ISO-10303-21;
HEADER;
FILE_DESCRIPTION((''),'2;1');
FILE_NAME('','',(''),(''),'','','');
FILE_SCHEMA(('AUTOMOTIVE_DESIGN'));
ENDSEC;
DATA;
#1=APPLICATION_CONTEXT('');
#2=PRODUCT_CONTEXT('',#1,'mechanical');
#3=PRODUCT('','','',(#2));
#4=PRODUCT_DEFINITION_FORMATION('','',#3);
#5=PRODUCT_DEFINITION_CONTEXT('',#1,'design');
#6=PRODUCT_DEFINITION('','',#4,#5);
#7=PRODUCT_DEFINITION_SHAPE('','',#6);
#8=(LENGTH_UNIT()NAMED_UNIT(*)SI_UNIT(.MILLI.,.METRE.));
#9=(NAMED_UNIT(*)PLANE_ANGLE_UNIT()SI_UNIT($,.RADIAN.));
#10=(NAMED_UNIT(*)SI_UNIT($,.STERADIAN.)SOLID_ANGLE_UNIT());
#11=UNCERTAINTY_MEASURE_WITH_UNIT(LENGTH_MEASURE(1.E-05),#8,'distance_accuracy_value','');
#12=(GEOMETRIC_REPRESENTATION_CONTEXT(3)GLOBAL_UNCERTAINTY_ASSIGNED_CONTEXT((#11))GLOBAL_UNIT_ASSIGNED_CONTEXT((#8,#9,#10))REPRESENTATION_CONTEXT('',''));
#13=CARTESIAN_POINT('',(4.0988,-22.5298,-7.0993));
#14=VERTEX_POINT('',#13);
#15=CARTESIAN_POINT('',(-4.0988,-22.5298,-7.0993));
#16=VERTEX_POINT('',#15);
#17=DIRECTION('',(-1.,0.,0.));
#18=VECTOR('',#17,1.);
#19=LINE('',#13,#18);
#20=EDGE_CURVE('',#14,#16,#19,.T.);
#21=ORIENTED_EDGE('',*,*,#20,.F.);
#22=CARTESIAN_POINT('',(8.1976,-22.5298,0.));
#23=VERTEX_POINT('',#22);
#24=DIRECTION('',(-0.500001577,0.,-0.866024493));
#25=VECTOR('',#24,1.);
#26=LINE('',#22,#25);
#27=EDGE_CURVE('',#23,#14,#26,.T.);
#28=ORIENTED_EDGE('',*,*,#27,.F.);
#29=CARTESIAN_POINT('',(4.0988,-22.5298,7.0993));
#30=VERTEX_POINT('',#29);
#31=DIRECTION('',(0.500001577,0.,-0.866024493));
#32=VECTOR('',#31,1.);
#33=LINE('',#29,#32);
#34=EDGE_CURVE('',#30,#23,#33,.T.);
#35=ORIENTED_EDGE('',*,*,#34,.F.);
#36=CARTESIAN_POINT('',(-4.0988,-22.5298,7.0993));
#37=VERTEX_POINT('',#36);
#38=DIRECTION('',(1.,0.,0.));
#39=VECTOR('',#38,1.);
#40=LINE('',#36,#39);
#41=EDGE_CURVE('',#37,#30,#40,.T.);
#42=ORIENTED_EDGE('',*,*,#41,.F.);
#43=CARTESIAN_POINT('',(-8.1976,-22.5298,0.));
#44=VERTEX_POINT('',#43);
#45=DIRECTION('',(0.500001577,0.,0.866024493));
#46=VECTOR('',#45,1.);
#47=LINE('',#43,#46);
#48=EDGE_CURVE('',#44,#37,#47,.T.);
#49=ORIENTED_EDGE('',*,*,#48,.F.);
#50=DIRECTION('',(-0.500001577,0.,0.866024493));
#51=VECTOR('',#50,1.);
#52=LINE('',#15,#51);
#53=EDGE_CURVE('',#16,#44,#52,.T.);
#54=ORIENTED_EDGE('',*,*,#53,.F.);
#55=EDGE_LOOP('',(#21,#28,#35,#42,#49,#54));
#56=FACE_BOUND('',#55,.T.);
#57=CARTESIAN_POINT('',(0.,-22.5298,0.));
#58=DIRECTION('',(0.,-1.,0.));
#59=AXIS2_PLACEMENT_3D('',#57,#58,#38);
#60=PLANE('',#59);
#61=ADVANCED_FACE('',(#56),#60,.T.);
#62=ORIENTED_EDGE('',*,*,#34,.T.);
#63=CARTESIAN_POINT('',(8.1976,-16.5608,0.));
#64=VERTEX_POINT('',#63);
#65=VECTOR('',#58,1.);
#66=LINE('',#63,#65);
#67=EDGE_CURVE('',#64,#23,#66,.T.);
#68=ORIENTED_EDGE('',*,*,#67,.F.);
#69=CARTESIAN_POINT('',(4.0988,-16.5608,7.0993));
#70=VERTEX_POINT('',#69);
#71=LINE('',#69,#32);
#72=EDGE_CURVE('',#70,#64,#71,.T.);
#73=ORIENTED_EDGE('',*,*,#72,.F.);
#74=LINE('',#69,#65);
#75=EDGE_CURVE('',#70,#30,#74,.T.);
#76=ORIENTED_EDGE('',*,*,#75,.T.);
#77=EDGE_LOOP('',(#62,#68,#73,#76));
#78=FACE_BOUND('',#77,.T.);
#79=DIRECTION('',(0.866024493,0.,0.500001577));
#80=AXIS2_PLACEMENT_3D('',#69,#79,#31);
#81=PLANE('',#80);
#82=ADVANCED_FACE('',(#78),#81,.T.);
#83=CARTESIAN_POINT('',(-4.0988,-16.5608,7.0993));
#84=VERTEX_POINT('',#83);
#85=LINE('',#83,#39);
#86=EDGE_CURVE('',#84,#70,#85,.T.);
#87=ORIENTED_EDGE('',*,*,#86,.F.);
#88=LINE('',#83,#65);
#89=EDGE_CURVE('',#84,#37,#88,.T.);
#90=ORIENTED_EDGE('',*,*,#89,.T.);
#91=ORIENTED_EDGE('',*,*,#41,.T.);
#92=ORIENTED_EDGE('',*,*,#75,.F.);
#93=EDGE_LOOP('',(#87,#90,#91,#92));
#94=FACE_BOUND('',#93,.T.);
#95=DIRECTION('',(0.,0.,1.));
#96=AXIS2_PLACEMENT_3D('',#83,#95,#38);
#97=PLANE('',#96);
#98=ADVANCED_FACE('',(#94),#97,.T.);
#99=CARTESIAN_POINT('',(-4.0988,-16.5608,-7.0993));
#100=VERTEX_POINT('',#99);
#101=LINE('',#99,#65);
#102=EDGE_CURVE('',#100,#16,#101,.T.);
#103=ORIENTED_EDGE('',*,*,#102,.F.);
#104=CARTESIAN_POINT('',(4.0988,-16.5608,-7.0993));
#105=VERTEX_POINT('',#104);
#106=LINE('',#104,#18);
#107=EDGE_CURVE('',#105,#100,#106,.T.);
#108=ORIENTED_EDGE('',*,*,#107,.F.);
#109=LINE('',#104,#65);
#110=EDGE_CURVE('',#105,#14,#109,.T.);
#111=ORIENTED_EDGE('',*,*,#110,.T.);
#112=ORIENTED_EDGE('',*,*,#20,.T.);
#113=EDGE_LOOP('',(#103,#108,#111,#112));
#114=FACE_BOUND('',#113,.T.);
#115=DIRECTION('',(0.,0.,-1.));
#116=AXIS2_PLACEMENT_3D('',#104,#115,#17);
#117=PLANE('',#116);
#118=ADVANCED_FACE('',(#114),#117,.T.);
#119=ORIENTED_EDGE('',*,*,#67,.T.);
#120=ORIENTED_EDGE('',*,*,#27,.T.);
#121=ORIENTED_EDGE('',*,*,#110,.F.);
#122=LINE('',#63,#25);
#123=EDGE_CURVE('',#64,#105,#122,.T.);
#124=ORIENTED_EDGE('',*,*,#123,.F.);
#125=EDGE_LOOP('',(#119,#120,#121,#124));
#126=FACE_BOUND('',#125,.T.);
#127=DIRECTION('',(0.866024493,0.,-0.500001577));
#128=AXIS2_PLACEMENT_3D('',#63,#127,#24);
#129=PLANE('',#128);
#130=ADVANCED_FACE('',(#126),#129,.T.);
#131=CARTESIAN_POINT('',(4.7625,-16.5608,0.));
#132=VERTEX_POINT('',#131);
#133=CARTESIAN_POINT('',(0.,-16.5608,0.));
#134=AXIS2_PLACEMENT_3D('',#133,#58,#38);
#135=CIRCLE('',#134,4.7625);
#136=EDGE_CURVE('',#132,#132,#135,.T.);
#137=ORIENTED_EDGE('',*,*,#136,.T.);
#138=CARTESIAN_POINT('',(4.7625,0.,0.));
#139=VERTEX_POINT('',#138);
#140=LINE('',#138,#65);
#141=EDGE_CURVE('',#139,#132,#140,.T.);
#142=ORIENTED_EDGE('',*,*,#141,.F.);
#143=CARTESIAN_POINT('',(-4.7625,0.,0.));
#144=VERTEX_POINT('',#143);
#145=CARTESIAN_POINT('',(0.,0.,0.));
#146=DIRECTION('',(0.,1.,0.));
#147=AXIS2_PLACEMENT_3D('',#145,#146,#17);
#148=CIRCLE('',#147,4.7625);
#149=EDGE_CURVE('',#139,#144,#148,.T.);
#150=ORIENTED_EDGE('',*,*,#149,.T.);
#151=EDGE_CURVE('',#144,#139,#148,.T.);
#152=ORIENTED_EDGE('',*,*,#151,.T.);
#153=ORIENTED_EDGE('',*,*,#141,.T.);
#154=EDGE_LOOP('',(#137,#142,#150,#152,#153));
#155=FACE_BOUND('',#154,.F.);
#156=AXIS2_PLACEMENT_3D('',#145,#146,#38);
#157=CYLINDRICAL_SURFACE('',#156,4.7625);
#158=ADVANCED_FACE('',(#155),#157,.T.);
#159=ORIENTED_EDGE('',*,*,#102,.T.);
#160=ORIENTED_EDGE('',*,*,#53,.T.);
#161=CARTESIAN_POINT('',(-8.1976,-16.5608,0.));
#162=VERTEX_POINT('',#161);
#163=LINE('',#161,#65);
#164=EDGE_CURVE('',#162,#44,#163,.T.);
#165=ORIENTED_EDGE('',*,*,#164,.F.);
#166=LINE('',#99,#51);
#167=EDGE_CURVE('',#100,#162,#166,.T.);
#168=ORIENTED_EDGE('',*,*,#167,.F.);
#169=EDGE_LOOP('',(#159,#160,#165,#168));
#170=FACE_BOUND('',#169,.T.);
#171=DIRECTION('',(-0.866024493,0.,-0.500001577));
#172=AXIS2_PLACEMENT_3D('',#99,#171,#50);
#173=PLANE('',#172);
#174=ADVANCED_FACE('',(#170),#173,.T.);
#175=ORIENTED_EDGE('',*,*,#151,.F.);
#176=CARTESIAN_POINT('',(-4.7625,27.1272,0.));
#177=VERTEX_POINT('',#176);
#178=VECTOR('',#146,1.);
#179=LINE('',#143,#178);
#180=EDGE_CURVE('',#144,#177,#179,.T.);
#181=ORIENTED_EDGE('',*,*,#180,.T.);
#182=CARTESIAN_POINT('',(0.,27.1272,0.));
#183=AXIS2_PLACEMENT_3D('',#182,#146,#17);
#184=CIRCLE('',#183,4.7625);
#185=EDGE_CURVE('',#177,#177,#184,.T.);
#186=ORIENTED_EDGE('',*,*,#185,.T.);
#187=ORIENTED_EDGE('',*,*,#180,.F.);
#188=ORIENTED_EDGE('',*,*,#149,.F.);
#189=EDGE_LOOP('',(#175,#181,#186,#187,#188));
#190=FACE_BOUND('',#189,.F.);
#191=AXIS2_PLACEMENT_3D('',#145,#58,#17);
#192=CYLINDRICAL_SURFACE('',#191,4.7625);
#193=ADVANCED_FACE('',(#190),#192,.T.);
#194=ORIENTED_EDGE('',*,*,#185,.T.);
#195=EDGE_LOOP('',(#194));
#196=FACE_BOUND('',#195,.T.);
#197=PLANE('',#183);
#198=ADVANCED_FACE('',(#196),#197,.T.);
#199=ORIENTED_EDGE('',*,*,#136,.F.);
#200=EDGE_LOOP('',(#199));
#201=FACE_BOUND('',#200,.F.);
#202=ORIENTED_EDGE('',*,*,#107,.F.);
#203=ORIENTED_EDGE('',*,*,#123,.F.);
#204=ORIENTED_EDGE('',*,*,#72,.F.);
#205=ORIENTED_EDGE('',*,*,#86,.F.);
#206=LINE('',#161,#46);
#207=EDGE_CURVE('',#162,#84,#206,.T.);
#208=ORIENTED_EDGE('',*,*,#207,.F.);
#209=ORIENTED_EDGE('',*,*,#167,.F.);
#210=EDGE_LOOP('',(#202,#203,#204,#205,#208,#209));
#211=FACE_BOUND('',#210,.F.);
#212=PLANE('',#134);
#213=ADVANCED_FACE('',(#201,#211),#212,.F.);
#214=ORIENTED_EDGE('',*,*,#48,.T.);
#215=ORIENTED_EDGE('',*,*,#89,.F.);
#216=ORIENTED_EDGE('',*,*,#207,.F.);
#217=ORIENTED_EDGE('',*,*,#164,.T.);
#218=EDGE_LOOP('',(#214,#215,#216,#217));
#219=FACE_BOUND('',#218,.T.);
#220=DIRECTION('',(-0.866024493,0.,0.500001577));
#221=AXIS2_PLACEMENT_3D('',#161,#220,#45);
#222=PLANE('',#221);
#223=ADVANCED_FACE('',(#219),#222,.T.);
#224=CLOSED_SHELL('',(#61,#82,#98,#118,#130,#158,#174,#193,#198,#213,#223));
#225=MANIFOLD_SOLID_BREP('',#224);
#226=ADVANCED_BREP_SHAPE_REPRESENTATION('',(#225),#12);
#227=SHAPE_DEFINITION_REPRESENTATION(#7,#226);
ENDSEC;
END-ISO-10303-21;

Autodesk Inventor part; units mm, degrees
ref_plane "YZ Plane" through (0, 0, 0) normal (1, 0, 0) x (0, 1, 0)
ref_plane "XZ Plane" through (0, 0, 0) normal (0, 1, 0) x (-1, 0, 0)
ref_plane "XY Plane" through (0, 0, 0) normal (0, 0, 1) x (1, 0, 0)
sketch "Sketch1" plane through (0, 0, 0) normal (0, 1, 0) x (-1, 0, 0)
  circle A0 centre (0, 0) radius 4.7625
  dimension "d0" = 9.525
extrude "Extrusion1" add sketch "Sketch1" along normal blind 27.1272
thread "Thread1" size "3/8-16 UNC" class "2A" standard "ANSI Unified Screw Threads" length 25.4
sketch "Sketch2" plane through (0, 0, 0) normal (0, -1, 0) x (1, 0, 0)
  circle A0 centre (0, 0) radius 4.7625
extrude "Extrusion2" add sketch "Sketch2" along normal blind 16.5608
sketch "Sketch3" plane through (0, -16.5608, 0) normal (0, -1, 0) x (1, 0, 0)
  circle A0 centre (0, 0) radius 4.7625 projected
  line L0 (-4.0988, -7.0993) -> (-8.1976, 0)
  line L1 (-8.1976, 0) -> (-4.0988, 7.0993)
  line L2 (-4.0988, 7.0993) -> (4.0988, 7.0993)
  line L3 (4.0988, 7.0993) -> (8.1976, 0)
  line L4 (8.1976, 0) -> (4.0988, -7.0993)
  line L5 (4.0988, -7.0993) -> (-4.0988, -7.0993)
  dimension "d9" = 14.1986
  dimension "d10" = 14.1986
extrude "Extrusion3" add sketch "Sketch3" along normal blind 5.969 contours A0 | L0 L1 L2 L3 L4 L5
properties part number "3 8t 1 1 2 bolt"
